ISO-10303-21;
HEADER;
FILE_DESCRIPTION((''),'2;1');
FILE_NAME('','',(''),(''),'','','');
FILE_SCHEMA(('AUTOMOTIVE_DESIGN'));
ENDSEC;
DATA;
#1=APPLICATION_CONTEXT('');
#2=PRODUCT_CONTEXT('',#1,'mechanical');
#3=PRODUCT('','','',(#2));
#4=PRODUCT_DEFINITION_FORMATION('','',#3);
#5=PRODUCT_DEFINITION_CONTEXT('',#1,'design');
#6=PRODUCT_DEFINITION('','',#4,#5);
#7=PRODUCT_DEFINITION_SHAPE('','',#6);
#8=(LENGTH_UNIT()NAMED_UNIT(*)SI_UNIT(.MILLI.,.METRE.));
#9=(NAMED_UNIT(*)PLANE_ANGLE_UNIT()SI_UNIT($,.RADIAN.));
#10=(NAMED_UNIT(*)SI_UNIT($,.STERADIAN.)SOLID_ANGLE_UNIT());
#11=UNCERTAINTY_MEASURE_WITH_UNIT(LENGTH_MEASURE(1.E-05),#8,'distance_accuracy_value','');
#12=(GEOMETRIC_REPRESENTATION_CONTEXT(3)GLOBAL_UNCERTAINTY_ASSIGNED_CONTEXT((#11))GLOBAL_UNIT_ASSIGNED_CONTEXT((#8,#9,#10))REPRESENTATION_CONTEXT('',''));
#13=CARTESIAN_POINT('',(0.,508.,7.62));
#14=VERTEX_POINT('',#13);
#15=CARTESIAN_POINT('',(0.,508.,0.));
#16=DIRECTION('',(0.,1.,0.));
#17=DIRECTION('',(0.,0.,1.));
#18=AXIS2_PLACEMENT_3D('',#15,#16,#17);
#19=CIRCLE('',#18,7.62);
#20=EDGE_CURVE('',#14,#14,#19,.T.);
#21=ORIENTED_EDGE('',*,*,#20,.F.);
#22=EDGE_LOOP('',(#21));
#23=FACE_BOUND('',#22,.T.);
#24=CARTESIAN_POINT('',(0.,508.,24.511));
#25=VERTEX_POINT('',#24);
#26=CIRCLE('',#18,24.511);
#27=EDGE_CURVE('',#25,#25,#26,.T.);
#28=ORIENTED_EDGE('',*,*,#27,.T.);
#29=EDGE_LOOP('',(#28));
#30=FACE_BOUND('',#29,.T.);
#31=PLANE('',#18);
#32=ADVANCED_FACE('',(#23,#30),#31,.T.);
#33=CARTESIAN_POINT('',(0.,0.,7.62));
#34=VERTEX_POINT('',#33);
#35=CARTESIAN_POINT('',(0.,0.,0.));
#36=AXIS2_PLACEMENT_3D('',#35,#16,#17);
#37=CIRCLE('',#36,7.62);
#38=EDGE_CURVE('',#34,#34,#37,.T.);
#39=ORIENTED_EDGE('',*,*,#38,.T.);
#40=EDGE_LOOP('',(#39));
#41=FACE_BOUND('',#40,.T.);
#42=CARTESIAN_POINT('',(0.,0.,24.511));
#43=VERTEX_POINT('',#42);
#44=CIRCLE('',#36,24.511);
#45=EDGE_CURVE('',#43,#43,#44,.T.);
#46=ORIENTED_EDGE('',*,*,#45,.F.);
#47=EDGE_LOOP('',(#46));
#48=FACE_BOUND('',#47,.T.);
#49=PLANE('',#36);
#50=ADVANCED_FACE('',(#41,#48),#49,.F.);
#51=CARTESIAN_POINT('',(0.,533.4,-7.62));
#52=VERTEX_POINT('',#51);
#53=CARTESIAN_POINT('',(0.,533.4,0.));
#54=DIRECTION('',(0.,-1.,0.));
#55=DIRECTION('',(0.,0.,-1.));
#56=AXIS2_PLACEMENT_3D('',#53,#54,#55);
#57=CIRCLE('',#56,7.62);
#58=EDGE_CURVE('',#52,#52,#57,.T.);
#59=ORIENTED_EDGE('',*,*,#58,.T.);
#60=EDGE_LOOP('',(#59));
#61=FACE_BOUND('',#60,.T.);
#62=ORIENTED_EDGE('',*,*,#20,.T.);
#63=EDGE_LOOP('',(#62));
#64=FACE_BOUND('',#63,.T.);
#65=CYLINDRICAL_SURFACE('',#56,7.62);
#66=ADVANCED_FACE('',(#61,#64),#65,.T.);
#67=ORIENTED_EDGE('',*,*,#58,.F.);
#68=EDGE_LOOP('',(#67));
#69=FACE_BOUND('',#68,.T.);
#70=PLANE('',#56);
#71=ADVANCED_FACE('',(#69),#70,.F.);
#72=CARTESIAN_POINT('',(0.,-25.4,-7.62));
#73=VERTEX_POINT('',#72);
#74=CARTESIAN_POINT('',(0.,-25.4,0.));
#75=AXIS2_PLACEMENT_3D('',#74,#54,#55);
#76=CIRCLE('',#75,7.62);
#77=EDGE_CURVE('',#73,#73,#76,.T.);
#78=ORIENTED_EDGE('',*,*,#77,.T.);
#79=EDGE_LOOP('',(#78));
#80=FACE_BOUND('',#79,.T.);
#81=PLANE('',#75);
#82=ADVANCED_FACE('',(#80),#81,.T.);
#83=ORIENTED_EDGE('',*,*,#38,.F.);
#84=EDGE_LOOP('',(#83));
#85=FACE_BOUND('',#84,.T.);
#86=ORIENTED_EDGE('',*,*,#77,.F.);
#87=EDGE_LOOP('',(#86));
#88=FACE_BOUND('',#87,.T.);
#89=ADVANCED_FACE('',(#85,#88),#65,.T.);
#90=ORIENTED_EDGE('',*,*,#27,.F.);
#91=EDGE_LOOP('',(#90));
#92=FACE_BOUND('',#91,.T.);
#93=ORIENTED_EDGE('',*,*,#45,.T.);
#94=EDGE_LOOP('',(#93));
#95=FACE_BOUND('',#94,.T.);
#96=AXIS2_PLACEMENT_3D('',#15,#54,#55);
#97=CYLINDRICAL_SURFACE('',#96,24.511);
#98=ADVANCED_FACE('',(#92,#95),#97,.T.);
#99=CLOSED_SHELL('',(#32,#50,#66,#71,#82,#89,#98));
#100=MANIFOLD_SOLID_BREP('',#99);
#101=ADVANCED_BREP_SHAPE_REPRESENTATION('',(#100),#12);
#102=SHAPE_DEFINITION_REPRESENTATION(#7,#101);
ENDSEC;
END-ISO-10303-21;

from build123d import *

# Parameters (mm, degrees)
SKETCH1_R                = 24.511
BOSS_EXTRUDE1_DEPTH      = 508
SKETCH2_R                = 7.62
BOSS_EXTRUDE2_DEPTH      = 25.4
BOSS_EXTRUDE2_DEPTH_BACK = 533.4


with BuildPart() as part:
    # Sketch1 → Boss-Extrude1 (new body)
    with BuildSketch(Plane(origin=(0, 0, 0), x_dir=(1, 0, 0), z_dir=(0, 1, 0))):
        Circle(SKETCH1_R)
    extrude(amount=BOSS_EXTRUDE1_DEPTH)

    # Sketch2 → Boss-Extrude2 (add, two sides)
    with BuildSketch(Plane.XZ) as boss_extrude2_sk:
        Circle(SKETCH2_R)
    extrude(amount=BOSS_EXTRUDE2_DEPTH)
    extrude(boss_extrude2_sk.sketch, amount=-BOSS_EXTRUDE2_DEPTH_BACK)


solid = part.part
